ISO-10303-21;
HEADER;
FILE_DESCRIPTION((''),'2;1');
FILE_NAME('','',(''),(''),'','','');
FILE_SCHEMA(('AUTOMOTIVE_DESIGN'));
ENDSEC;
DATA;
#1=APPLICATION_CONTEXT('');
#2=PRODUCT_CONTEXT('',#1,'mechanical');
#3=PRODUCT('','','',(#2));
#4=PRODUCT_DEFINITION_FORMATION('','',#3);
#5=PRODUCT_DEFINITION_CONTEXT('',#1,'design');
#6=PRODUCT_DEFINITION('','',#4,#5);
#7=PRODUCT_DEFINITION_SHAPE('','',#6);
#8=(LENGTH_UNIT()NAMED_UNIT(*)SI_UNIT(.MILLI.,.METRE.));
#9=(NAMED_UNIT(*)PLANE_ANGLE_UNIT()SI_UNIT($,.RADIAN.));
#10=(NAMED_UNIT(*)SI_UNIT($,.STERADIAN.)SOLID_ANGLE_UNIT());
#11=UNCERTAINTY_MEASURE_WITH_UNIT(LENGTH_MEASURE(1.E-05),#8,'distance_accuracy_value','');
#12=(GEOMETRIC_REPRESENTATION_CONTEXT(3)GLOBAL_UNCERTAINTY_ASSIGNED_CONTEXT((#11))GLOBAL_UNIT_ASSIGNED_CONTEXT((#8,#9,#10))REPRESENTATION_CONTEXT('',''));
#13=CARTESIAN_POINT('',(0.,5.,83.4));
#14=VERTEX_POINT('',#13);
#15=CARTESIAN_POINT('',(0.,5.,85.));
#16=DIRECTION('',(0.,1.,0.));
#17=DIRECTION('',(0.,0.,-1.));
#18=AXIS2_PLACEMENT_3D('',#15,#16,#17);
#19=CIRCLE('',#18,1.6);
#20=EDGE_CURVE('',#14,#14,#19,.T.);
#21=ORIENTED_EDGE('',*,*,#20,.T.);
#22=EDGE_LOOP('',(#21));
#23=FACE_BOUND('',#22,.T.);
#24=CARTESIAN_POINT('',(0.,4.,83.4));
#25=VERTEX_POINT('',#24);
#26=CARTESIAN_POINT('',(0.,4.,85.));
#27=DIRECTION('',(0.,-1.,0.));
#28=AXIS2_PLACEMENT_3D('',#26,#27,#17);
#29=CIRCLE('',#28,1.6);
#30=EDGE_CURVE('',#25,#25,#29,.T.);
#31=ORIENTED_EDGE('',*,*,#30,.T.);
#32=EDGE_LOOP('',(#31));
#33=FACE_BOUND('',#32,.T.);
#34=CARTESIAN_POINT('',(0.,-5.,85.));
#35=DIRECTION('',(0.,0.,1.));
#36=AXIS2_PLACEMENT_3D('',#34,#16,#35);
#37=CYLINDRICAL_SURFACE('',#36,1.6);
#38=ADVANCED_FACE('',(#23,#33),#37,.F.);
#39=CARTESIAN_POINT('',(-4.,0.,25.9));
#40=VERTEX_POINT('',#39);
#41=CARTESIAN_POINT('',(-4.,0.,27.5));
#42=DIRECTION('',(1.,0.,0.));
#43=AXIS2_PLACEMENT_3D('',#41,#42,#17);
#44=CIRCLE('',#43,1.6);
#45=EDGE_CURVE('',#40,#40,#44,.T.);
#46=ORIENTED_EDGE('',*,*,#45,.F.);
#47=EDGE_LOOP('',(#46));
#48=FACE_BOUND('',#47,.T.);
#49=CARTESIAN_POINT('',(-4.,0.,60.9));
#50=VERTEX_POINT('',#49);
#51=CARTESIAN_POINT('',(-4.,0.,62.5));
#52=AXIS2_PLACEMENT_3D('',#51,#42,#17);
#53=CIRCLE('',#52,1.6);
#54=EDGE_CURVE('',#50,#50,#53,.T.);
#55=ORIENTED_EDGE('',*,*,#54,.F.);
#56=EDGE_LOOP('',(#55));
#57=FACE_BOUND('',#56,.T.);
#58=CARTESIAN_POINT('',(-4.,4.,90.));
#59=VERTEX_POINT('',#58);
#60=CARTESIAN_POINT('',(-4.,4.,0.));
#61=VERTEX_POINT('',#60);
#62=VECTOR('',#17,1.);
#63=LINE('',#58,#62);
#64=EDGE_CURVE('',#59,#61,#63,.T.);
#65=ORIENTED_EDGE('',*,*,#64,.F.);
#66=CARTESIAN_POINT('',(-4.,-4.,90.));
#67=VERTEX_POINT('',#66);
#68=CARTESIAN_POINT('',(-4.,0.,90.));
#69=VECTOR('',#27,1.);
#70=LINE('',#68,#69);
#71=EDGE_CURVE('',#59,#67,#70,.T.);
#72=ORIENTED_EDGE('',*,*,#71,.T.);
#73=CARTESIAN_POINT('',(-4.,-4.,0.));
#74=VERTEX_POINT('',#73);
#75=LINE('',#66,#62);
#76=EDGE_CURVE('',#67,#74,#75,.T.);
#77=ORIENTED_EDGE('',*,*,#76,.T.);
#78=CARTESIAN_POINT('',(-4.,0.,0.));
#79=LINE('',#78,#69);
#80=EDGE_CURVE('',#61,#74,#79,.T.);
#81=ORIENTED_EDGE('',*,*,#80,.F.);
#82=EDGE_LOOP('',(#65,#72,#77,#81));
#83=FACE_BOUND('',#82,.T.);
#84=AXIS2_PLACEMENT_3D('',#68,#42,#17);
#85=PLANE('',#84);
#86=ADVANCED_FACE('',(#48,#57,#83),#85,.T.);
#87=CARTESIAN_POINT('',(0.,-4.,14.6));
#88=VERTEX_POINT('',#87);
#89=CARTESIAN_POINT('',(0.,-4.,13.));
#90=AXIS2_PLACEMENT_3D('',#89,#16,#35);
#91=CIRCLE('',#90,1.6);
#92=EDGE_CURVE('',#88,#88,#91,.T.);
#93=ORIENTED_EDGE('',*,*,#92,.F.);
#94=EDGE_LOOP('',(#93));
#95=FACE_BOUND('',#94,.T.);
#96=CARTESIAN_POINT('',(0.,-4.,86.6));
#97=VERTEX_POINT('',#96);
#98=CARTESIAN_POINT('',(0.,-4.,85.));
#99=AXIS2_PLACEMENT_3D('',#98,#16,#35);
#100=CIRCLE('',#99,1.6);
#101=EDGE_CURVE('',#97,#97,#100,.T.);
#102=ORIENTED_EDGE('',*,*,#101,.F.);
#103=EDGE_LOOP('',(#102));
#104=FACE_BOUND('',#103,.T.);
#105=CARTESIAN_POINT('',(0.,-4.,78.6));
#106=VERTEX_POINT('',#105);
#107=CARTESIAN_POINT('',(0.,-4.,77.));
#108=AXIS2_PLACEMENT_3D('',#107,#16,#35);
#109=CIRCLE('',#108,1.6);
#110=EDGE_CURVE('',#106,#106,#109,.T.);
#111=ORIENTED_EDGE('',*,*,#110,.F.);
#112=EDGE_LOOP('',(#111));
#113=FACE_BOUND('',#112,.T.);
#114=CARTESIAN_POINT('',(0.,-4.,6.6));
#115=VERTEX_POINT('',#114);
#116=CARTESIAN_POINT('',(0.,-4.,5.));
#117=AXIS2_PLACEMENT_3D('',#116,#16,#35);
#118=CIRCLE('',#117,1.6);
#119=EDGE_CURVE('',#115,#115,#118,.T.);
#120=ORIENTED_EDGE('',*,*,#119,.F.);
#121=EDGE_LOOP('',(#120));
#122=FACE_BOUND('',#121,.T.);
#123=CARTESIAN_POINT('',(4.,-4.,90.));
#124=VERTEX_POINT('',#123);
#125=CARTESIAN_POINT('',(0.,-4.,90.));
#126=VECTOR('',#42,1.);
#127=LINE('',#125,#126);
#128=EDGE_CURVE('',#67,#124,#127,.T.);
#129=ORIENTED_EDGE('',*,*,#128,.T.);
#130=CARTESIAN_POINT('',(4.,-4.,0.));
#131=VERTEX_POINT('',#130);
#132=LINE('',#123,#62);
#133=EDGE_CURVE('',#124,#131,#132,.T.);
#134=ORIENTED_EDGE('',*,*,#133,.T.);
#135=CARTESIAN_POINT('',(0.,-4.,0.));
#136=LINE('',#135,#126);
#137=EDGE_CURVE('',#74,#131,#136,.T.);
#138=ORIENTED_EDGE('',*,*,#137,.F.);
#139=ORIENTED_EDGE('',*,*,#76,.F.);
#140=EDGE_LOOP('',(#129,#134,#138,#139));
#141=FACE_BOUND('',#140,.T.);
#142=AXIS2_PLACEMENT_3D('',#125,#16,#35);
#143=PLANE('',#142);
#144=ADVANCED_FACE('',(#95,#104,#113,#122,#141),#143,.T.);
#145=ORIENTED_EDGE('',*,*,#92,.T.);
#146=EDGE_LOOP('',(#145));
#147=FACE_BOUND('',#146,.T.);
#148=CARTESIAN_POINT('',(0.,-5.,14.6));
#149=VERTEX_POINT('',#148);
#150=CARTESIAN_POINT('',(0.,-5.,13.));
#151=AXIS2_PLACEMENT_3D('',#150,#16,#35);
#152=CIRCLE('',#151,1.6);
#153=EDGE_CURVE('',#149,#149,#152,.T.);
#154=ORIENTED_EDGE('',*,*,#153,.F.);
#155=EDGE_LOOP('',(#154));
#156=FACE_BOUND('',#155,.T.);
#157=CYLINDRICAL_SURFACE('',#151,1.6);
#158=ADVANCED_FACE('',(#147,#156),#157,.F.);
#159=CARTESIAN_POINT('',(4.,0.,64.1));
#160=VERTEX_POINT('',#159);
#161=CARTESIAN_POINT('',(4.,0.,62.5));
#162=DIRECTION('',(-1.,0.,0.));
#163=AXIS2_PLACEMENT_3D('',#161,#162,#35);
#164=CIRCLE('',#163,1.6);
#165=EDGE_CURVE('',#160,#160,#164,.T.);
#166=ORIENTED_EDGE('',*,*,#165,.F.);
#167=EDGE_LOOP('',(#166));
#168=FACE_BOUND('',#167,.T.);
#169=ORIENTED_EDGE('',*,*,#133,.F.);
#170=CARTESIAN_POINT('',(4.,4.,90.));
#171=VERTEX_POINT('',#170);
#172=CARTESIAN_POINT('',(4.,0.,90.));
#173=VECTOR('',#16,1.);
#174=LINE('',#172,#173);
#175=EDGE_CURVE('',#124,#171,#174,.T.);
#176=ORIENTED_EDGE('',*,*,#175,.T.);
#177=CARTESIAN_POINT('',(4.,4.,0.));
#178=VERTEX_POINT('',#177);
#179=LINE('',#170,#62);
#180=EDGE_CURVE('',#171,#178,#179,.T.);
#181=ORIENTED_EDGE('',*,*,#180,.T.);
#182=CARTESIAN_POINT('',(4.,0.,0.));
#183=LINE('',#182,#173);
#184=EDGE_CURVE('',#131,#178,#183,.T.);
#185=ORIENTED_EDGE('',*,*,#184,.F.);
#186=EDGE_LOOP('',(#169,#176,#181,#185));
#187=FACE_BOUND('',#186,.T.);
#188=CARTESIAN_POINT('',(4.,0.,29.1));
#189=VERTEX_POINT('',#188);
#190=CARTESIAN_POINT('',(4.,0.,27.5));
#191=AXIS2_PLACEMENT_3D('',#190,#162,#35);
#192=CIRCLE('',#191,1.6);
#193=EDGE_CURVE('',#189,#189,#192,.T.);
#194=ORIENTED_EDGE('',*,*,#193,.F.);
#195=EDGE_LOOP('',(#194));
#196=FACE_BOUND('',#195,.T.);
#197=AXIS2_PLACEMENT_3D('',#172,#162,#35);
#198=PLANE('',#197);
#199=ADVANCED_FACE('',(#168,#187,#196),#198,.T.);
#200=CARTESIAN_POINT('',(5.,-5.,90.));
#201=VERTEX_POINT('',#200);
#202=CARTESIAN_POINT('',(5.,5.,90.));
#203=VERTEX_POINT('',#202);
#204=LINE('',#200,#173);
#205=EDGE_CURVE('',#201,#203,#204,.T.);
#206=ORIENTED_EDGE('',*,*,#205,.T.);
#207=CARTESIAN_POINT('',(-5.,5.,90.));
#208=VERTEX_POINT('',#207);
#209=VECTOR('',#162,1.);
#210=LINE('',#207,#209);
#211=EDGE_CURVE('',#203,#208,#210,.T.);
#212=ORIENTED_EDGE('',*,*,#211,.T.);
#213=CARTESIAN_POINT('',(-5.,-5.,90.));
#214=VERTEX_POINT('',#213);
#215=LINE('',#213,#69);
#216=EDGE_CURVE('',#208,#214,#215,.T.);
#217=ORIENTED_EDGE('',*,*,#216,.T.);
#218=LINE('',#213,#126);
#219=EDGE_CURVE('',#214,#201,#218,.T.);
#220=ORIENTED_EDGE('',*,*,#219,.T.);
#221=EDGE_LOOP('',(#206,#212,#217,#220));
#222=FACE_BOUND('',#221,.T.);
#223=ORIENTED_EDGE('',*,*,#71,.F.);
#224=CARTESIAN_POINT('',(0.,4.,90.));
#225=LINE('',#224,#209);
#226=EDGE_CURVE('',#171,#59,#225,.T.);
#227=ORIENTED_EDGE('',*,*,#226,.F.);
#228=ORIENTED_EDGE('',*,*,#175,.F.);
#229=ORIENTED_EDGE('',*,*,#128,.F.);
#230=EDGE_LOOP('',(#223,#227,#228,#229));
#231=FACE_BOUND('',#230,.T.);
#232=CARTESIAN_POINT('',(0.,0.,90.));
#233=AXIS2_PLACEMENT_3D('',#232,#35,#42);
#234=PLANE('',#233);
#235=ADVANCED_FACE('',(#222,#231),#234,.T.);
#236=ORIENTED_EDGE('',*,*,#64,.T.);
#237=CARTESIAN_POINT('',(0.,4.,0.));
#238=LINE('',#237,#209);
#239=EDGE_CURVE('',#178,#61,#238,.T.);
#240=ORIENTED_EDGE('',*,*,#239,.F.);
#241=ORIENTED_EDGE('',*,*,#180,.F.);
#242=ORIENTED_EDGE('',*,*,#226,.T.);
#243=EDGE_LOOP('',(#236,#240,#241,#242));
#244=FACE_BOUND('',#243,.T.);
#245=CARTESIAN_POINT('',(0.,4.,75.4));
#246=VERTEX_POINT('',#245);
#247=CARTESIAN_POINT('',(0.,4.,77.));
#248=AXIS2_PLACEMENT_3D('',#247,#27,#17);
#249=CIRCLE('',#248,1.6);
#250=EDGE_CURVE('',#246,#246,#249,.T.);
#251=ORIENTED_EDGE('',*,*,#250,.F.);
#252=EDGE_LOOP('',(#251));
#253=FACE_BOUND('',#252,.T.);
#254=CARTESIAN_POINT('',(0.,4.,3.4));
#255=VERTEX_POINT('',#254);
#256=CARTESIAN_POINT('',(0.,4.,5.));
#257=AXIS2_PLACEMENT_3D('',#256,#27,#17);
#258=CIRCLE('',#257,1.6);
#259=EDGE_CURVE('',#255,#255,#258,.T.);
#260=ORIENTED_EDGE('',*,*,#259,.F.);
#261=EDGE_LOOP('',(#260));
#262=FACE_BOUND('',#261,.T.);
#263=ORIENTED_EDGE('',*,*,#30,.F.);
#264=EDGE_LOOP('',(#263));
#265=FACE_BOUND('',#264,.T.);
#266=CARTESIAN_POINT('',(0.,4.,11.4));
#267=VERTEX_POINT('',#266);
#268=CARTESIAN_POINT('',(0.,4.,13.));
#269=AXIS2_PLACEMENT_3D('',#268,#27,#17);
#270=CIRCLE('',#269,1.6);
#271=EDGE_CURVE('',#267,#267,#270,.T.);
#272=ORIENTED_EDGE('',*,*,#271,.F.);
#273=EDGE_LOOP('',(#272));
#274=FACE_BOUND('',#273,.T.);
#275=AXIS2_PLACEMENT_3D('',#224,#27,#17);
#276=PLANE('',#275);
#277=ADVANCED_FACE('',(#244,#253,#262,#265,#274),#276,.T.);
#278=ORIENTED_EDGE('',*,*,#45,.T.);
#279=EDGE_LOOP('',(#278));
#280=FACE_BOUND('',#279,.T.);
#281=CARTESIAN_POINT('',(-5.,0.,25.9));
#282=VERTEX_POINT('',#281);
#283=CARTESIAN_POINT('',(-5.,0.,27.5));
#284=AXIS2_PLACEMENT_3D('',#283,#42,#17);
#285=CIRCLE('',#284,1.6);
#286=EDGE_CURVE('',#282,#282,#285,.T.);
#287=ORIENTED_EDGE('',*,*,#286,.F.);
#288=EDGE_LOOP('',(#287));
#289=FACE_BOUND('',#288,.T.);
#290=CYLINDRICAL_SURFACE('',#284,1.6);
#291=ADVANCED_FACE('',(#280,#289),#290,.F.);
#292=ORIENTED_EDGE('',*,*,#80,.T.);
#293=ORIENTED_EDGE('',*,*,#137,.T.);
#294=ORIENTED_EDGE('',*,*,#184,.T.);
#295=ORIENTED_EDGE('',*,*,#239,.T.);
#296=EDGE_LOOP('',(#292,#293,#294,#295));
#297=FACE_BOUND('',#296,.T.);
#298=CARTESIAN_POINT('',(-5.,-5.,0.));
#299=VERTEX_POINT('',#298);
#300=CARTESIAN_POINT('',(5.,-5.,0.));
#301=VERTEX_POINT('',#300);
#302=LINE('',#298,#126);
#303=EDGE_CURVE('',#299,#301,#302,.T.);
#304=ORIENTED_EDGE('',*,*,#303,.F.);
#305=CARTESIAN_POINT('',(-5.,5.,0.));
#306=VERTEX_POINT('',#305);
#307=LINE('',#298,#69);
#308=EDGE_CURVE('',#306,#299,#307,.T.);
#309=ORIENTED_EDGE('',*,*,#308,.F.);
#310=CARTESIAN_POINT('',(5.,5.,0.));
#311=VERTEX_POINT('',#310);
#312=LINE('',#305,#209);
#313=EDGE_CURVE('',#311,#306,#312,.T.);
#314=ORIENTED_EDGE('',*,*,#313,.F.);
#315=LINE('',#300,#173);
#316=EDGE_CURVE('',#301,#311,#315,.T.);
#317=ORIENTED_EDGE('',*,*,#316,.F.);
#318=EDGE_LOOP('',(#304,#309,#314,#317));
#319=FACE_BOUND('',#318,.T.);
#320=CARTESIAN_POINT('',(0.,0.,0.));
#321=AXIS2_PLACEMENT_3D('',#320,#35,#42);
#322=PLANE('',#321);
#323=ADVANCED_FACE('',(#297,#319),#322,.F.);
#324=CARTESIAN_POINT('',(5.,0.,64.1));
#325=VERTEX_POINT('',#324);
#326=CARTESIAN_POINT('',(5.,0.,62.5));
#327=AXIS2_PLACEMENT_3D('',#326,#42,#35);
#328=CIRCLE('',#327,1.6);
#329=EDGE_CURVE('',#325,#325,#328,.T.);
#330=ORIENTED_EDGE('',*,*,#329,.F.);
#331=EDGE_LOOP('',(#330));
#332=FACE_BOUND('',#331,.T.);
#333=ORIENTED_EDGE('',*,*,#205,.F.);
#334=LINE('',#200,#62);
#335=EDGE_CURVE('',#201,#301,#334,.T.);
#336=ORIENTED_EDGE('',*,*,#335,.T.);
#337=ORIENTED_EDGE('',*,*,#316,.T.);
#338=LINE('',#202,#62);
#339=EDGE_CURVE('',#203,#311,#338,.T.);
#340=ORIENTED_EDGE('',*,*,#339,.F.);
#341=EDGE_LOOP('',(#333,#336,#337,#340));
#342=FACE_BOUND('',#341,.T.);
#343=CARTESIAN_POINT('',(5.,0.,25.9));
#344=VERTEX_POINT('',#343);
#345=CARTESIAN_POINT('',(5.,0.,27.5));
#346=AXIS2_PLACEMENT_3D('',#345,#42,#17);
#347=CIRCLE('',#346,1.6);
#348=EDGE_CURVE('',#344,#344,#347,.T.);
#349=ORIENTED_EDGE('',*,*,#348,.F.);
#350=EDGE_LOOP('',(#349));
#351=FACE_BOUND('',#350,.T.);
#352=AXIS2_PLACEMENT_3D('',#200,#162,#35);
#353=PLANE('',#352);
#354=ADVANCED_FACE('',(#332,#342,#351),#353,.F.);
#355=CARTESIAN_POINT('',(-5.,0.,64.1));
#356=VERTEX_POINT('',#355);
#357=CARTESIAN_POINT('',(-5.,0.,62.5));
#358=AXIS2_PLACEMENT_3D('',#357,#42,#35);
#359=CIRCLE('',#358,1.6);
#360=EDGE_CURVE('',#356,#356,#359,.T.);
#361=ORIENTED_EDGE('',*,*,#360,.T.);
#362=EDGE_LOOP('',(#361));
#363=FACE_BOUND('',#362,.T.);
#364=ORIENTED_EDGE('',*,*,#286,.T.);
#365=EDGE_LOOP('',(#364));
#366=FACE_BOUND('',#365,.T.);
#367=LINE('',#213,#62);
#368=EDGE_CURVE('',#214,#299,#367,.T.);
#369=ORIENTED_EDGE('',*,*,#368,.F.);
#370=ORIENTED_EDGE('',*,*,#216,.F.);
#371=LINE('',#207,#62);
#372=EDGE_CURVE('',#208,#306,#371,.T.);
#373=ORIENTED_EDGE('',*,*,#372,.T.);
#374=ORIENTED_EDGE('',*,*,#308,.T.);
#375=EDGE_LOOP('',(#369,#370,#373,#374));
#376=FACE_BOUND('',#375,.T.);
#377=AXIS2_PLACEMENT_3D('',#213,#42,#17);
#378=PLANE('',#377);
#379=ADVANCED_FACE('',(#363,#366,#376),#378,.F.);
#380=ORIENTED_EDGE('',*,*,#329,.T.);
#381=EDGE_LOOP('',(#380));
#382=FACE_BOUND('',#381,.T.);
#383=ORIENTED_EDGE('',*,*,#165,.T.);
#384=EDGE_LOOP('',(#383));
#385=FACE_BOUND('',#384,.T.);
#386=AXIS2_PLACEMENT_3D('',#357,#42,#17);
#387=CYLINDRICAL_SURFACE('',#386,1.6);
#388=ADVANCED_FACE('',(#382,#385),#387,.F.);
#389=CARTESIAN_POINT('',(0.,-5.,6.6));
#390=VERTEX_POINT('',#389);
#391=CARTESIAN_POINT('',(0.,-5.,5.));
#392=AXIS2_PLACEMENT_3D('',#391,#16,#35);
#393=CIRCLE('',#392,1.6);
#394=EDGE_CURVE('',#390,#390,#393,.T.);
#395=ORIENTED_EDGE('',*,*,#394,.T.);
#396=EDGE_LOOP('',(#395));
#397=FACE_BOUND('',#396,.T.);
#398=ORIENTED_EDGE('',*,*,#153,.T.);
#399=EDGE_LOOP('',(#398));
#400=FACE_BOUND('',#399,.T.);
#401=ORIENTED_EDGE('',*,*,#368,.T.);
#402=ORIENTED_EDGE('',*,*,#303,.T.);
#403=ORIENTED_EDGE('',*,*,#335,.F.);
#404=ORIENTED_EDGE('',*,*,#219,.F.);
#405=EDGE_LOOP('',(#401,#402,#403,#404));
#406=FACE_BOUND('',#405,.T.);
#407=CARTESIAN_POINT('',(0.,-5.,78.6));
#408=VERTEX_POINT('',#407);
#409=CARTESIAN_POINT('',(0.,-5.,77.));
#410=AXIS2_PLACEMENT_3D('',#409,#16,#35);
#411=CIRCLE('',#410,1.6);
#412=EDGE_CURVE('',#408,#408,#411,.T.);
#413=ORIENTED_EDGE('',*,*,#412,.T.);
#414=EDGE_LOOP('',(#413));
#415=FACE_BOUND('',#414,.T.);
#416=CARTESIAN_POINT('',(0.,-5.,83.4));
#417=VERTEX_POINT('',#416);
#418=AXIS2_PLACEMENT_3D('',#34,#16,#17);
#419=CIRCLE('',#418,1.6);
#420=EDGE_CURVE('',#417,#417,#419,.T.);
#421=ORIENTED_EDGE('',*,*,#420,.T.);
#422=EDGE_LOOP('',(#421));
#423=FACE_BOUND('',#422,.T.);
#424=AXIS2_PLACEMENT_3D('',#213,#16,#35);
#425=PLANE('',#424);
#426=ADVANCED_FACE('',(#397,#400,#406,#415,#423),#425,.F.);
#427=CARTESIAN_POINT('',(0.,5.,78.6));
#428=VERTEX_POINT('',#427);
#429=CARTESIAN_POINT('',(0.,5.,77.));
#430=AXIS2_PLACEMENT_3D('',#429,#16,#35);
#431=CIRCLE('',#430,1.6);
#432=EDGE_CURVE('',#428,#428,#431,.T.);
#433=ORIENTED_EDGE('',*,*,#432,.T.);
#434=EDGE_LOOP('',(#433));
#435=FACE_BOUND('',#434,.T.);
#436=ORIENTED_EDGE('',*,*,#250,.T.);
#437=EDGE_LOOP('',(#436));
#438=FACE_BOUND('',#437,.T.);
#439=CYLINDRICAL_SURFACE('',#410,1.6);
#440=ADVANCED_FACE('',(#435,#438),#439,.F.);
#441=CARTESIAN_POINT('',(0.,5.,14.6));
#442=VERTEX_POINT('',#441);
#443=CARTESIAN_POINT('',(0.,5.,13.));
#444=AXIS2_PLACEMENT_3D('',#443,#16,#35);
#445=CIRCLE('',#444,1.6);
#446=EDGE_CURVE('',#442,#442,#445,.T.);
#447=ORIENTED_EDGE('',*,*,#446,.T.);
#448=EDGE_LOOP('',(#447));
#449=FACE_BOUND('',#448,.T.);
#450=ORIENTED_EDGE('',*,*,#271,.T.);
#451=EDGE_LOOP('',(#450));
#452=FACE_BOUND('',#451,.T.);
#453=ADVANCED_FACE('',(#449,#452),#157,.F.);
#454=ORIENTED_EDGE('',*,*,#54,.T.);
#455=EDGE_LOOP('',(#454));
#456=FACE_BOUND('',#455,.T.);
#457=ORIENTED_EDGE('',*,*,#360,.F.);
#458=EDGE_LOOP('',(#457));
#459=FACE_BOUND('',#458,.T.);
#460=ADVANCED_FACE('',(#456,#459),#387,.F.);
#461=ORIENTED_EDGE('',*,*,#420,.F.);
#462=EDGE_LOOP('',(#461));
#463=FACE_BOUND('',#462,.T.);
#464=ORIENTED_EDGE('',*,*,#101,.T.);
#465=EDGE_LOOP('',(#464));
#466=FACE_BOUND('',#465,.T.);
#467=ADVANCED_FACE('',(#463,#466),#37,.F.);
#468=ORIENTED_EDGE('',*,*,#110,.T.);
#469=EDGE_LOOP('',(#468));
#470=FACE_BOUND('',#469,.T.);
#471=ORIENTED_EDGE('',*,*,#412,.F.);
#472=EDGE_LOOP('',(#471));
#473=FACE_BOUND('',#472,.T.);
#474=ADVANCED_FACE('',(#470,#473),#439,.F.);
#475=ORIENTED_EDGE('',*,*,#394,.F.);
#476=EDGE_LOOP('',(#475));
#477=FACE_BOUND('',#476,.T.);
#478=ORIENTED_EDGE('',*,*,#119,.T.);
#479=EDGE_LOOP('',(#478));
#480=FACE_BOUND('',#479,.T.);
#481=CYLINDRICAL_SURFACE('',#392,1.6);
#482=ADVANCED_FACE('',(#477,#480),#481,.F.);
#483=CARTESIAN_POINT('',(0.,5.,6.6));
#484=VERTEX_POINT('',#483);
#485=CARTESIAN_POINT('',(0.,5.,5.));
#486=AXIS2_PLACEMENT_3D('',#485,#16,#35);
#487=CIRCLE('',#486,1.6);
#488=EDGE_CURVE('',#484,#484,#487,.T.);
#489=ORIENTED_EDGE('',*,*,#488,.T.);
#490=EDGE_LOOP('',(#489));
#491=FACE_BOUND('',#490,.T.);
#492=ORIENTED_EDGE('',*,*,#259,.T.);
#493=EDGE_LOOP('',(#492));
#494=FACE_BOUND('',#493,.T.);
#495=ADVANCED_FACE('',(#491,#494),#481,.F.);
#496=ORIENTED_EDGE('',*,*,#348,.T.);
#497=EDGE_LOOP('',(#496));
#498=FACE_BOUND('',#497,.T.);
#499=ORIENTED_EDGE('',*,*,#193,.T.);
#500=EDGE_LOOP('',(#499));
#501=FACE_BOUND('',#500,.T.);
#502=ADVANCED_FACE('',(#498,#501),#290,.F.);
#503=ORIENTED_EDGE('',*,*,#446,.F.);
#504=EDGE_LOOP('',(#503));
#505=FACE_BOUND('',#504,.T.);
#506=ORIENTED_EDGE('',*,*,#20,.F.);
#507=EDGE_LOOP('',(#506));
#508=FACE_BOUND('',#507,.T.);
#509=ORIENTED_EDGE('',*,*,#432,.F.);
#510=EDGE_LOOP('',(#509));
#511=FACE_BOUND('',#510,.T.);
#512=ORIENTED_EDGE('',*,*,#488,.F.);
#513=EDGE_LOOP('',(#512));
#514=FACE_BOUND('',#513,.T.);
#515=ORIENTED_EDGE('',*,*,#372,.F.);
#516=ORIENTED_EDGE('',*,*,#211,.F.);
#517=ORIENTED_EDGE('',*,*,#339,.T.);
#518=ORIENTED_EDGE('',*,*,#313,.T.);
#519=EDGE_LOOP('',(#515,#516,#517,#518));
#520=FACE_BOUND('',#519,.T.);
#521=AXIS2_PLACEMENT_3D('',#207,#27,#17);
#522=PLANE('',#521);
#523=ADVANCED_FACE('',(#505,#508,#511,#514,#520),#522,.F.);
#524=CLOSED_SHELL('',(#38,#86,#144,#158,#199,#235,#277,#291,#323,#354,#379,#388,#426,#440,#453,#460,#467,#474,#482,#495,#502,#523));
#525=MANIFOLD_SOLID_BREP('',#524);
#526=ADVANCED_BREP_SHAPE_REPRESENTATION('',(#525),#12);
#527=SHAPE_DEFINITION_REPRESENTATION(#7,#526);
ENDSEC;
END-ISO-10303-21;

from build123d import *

# Parameters (mm, degrees)
SKETCH_282_W          = 10
SKETCH_282_H          = 10
SKETCH_282_W_2        = 8
SKETCH_282_H_2        = 8
EXTRUDE_339_DEPTH     = 90
SKETCH_411_R          = 1.6
CUT_EXTRUDE_834_DEPTH = 91.691785736
SKETCH_636_R          = 1.6
CUT_EXTRUDE_878_DEPTH = 91.691785736


with BuildPart() as part:
    # Sketch 282 → Extrude 339 (new body)
    with BuildSketch(Plane.XY):
        Rectangle(SKETCH_282_W, SKETCH_282_H)
        Rectangle(SKETCH_282_W_2, SKETCH_282_H_2, mode=Mode.SUBTRACT)
    extrude(amount=EXTRUDE_339_DEPTH)

    # Sketch 411 → Cut-Extrude 834 (cut, through all)
    with BuildSketch(Plane(origin=(0, 5, 0), x_dir=(1, 0, 0), z_dir=(0, 1, 0))):
        with Locations(Location((0, -5, 0), (0, 0, 270))):
            Circle(SKETCH_411_R)
        with Locations(Location((0, -85, 0), (0, 0, 270))):
            Circle(SKETCH_411_R)
        with Locations(Location((0, -13, 0), (0, 0, 270))):
            Circle(SKETCH_411_R)
        with Locations(Location((0, -77, 0), (0, 0, 270))):
            Circle(SKETCH_411_R)
    extrude(amount=-CUT_EXTRUDE_834_DEPTH, mode=Mode.SUBTRACT)

    # Sketch 636 → Cut-Extrude 878 (cut, through all)
    with BuildSketch(Plane(origin=(5, 0, 0), x_dir=(0, 0, -1), z_dir=(1, 0, 0))):
        with Locations((-27.5, 0)):
            Circle(SKETCH_636_R)
        with Locations((-62.5, 0)):
            Circle(SKETCH_636_R)
    extrude(amount=-CUT_EXTRUDE_878_DEPTH, mode=Mode.SUBTRACT)


solid = part.part
